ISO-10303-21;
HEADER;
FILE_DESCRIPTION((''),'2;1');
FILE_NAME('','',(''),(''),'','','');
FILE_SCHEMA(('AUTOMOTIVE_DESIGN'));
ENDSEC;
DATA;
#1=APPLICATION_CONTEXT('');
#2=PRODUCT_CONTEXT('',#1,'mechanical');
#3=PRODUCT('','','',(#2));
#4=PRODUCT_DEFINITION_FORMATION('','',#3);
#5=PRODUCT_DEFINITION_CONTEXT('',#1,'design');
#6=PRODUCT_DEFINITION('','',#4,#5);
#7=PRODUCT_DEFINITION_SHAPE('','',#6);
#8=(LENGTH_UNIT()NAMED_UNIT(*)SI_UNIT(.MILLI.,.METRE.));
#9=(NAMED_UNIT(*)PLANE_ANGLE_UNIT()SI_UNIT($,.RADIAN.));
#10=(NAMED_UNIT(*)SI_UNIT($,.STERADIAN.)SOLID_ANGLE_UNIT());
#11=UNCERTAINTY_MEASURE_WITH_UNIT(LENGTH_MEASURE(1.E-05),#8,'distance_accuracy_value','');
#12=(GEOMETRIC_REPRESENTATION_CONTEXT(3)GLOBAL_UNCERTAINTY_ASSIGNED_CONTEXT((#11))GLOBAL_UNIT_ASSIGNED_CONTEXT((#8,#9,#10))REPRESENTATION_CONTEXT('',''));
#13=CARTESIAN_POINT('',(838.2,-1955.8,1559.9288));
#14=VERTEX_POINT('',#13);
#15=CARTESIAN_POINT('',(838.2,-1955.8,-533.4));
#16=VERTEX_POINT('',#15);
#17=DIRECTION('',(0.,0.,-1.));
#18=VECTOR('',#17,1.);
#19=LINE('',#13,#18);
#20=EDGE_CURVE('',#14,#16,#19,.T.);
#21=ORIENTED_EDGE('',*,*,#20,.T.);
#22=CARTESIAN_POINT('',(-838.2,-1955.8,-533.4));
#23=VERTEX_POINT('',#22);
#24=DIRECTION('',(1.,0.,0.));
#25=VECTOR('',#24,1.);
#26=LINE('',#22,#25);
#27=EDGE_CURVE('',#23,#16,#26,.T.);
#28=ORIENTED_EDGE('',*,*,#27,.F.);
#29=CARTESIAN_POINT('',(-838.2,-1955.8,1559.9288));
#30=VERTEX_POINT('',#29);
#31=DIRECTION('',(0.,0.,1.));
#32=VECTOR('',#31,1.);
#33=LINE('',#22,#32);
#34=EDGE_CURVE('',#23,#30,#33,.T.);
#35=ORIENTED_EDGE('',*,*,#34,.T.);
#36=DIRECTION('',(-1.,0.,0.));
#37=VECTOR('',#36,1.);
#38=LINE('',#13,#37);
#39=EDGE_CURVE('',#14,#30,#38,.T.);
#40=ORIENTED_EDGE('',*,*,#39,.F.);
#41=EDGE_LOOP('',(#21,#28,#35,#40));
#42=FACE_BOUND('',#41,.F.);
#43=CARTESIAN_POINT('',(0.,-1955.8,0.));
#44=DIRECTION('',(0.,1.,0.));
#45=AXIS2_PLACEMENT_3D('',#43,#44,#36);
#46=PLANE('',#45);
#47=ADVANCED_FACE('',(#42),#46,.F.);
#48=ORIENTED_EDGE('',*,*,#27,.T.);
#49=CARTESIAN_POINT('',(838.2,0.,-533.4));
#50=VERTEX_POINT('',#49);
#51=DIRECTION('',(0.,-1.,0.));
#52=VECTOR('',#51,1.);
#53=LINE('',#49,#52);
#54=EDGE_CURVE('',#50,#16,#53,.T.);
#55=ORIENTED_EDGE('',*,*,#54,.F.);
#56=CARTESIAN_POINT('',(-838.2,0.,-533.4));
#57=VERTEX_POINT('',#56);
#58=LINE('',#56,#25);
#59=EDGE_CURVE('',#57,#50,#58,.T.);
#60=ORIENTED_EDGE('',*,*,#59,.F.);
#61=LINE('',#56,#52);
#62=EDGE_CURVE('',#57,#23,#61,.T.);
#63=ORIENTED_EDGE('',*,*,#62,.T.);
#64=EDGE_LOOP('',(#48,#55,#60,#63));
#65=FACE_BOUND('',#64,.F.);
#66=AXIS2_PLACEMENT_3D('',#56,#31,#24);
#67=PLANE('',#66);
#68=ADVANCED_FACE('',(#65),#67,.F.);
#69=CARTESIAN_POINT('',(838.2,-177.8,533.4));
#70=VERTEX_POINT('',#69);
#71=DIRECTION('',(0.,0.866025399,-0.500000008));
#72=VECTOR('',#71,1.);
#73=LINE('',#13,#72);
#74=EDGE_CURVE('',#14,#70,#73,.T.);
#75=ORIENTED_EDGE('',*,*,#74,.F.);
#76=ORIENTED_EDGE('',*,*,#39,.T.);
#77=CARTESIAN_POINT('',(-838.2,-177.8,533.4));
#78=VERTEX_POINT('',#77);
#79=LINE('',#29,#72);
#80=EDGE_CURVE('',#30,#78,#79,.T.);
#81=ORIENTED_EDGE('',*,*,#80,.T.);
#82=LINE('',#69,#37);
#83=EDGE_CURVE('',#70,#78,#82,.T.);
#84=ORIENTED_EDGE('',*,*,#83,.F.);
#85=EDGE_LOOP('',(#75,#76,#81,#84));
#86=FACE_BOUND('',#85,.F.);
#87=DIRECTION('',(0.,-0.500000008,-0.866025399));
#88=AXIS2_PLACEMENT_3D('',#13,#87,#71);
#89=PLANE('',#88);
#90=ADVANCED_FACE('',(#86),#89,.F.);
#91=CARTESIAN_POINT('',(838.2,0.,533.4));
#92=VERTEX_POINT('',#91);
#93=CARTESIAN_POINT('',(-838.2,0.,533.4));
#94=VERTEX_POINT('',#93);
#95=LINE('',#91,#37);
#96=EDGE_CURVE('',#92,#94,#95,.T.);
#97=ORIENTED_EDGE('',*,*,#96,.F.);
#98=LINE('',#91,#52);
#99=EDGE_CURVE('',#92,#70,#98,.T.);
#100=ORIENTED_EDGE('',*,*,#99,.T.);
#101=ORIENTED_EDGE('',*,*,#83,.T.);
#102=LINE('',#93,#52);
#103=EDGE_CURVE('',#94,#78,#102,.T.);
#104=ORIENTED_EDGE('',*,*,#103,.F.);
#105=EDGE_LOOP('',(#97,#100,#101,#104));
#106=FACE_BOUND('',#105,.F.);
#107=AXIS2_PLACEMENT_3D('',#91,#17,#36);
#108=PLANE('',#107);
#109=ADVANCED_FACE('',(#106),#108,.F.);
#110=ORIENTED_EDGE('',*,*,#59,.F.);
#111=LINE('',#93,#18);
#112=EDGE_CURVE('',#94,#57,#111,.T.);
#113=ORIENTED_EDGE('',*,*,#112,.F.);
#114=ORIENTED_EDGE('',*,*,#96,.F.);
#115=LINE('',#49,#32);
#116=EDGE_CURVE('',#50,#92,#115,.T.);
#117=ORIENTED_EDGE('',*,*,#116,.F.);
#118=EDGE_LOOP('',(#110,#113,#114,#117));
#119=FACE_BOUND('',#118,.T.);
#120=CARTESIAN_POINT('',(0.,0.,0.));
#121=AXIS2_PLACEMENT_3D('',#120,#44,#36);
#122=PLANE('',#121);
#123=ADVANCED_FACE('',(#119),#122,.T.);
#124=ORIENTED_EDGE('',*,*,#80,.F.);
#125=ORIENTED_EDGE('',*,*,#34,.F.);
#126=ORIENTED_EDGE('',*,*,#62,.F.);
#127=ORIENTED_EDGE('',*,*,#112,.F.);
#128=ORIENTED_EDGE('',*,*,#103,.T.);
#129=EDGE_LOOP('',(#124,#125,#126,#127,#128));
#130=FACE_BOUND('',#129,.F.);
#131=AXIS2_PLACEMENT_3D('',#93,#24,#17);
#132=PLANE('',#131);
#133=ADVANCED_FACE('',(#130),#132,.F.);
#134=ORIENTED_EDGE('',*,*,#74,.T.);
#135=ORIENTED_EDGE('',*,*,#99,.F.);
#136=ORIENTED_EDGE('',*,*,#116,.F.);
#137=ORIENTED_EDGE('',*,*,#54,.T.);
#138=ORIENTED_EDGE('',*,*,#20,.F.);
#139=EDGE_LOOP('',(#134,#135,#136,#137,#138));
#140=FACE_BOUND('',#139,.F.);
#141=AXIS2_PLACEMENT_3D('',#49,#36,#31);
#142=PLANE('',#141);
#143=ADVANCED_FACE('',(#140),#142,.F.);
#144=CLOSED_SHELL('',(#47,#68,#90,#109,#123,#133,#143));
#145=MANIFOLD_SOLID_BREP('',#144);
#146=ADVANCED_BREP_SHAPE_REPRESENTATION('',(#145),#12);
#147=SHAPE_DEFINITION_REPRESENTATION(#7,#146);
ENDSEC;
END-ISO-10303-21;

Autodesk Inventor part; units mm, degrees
ref_plane "YZ Plane" through (0, 0, 0) normal (1, 0, 0) x (0, 1, 0)
ref_plane "XZ Plane" through (0, 0, 0) normal (0, 1, 0) x (-1, 0, 0)
ref_plane "XY Plane" through (0, 0, 0) normal (0, 0, 1) x (1, 0, 0)
sketch "Sketch1" plane through (0, 0, 0) normal (0, 1, 0) x (-1, 0, 0)
  line L0 (-838.2, 533.4) -> (838.2, 533.4)
  line L1 (838.2, 533.4) -> (838.2, -533.4)
  line L2 (838.2, -533.4) -> (-838.2, -533.4)
  line L3 (-838.2, -533.4) -> (-838.2, 533.4)
  line L4 (-838.2, 533.4) -> (838.2, -533.4) construction
  line L5 (838.2, 533.4) -> (-838.2, -533.4) construction
  point P0 (0, 0)
  dimension "d0" = 1676.4
  dimension "d1" = 1066.8
extrude "Extrusion1" add sketch "Sketch1" against normal blind 1955.8
sketch "Sketch2" plane through (838.2, 0, 533.4) normal (1, 0, 0) x (0, 0, -1)
  line L0 (0, 0) -> (0, -1955.8) projected
  line L1 (0, -177.8) -> (0, -1955.8)
  line L2 (0, -1955.8) -> (-1026.5288, -1955.8)
  line L3 (-1026.5288, -1955.8) -> (0, -177.8)
  line L4 (0, 0) -> (1066.8, 0) projected
  point P0 (533.4, 0)
  dimension "d4" = 30
  dimension "d5" = 177.8
extrude "Extrusion2" add sketch "Sketch2" against normal up to surface (1676.4 mm away)
properties part number "Side near railing 7" material "Concrete"
